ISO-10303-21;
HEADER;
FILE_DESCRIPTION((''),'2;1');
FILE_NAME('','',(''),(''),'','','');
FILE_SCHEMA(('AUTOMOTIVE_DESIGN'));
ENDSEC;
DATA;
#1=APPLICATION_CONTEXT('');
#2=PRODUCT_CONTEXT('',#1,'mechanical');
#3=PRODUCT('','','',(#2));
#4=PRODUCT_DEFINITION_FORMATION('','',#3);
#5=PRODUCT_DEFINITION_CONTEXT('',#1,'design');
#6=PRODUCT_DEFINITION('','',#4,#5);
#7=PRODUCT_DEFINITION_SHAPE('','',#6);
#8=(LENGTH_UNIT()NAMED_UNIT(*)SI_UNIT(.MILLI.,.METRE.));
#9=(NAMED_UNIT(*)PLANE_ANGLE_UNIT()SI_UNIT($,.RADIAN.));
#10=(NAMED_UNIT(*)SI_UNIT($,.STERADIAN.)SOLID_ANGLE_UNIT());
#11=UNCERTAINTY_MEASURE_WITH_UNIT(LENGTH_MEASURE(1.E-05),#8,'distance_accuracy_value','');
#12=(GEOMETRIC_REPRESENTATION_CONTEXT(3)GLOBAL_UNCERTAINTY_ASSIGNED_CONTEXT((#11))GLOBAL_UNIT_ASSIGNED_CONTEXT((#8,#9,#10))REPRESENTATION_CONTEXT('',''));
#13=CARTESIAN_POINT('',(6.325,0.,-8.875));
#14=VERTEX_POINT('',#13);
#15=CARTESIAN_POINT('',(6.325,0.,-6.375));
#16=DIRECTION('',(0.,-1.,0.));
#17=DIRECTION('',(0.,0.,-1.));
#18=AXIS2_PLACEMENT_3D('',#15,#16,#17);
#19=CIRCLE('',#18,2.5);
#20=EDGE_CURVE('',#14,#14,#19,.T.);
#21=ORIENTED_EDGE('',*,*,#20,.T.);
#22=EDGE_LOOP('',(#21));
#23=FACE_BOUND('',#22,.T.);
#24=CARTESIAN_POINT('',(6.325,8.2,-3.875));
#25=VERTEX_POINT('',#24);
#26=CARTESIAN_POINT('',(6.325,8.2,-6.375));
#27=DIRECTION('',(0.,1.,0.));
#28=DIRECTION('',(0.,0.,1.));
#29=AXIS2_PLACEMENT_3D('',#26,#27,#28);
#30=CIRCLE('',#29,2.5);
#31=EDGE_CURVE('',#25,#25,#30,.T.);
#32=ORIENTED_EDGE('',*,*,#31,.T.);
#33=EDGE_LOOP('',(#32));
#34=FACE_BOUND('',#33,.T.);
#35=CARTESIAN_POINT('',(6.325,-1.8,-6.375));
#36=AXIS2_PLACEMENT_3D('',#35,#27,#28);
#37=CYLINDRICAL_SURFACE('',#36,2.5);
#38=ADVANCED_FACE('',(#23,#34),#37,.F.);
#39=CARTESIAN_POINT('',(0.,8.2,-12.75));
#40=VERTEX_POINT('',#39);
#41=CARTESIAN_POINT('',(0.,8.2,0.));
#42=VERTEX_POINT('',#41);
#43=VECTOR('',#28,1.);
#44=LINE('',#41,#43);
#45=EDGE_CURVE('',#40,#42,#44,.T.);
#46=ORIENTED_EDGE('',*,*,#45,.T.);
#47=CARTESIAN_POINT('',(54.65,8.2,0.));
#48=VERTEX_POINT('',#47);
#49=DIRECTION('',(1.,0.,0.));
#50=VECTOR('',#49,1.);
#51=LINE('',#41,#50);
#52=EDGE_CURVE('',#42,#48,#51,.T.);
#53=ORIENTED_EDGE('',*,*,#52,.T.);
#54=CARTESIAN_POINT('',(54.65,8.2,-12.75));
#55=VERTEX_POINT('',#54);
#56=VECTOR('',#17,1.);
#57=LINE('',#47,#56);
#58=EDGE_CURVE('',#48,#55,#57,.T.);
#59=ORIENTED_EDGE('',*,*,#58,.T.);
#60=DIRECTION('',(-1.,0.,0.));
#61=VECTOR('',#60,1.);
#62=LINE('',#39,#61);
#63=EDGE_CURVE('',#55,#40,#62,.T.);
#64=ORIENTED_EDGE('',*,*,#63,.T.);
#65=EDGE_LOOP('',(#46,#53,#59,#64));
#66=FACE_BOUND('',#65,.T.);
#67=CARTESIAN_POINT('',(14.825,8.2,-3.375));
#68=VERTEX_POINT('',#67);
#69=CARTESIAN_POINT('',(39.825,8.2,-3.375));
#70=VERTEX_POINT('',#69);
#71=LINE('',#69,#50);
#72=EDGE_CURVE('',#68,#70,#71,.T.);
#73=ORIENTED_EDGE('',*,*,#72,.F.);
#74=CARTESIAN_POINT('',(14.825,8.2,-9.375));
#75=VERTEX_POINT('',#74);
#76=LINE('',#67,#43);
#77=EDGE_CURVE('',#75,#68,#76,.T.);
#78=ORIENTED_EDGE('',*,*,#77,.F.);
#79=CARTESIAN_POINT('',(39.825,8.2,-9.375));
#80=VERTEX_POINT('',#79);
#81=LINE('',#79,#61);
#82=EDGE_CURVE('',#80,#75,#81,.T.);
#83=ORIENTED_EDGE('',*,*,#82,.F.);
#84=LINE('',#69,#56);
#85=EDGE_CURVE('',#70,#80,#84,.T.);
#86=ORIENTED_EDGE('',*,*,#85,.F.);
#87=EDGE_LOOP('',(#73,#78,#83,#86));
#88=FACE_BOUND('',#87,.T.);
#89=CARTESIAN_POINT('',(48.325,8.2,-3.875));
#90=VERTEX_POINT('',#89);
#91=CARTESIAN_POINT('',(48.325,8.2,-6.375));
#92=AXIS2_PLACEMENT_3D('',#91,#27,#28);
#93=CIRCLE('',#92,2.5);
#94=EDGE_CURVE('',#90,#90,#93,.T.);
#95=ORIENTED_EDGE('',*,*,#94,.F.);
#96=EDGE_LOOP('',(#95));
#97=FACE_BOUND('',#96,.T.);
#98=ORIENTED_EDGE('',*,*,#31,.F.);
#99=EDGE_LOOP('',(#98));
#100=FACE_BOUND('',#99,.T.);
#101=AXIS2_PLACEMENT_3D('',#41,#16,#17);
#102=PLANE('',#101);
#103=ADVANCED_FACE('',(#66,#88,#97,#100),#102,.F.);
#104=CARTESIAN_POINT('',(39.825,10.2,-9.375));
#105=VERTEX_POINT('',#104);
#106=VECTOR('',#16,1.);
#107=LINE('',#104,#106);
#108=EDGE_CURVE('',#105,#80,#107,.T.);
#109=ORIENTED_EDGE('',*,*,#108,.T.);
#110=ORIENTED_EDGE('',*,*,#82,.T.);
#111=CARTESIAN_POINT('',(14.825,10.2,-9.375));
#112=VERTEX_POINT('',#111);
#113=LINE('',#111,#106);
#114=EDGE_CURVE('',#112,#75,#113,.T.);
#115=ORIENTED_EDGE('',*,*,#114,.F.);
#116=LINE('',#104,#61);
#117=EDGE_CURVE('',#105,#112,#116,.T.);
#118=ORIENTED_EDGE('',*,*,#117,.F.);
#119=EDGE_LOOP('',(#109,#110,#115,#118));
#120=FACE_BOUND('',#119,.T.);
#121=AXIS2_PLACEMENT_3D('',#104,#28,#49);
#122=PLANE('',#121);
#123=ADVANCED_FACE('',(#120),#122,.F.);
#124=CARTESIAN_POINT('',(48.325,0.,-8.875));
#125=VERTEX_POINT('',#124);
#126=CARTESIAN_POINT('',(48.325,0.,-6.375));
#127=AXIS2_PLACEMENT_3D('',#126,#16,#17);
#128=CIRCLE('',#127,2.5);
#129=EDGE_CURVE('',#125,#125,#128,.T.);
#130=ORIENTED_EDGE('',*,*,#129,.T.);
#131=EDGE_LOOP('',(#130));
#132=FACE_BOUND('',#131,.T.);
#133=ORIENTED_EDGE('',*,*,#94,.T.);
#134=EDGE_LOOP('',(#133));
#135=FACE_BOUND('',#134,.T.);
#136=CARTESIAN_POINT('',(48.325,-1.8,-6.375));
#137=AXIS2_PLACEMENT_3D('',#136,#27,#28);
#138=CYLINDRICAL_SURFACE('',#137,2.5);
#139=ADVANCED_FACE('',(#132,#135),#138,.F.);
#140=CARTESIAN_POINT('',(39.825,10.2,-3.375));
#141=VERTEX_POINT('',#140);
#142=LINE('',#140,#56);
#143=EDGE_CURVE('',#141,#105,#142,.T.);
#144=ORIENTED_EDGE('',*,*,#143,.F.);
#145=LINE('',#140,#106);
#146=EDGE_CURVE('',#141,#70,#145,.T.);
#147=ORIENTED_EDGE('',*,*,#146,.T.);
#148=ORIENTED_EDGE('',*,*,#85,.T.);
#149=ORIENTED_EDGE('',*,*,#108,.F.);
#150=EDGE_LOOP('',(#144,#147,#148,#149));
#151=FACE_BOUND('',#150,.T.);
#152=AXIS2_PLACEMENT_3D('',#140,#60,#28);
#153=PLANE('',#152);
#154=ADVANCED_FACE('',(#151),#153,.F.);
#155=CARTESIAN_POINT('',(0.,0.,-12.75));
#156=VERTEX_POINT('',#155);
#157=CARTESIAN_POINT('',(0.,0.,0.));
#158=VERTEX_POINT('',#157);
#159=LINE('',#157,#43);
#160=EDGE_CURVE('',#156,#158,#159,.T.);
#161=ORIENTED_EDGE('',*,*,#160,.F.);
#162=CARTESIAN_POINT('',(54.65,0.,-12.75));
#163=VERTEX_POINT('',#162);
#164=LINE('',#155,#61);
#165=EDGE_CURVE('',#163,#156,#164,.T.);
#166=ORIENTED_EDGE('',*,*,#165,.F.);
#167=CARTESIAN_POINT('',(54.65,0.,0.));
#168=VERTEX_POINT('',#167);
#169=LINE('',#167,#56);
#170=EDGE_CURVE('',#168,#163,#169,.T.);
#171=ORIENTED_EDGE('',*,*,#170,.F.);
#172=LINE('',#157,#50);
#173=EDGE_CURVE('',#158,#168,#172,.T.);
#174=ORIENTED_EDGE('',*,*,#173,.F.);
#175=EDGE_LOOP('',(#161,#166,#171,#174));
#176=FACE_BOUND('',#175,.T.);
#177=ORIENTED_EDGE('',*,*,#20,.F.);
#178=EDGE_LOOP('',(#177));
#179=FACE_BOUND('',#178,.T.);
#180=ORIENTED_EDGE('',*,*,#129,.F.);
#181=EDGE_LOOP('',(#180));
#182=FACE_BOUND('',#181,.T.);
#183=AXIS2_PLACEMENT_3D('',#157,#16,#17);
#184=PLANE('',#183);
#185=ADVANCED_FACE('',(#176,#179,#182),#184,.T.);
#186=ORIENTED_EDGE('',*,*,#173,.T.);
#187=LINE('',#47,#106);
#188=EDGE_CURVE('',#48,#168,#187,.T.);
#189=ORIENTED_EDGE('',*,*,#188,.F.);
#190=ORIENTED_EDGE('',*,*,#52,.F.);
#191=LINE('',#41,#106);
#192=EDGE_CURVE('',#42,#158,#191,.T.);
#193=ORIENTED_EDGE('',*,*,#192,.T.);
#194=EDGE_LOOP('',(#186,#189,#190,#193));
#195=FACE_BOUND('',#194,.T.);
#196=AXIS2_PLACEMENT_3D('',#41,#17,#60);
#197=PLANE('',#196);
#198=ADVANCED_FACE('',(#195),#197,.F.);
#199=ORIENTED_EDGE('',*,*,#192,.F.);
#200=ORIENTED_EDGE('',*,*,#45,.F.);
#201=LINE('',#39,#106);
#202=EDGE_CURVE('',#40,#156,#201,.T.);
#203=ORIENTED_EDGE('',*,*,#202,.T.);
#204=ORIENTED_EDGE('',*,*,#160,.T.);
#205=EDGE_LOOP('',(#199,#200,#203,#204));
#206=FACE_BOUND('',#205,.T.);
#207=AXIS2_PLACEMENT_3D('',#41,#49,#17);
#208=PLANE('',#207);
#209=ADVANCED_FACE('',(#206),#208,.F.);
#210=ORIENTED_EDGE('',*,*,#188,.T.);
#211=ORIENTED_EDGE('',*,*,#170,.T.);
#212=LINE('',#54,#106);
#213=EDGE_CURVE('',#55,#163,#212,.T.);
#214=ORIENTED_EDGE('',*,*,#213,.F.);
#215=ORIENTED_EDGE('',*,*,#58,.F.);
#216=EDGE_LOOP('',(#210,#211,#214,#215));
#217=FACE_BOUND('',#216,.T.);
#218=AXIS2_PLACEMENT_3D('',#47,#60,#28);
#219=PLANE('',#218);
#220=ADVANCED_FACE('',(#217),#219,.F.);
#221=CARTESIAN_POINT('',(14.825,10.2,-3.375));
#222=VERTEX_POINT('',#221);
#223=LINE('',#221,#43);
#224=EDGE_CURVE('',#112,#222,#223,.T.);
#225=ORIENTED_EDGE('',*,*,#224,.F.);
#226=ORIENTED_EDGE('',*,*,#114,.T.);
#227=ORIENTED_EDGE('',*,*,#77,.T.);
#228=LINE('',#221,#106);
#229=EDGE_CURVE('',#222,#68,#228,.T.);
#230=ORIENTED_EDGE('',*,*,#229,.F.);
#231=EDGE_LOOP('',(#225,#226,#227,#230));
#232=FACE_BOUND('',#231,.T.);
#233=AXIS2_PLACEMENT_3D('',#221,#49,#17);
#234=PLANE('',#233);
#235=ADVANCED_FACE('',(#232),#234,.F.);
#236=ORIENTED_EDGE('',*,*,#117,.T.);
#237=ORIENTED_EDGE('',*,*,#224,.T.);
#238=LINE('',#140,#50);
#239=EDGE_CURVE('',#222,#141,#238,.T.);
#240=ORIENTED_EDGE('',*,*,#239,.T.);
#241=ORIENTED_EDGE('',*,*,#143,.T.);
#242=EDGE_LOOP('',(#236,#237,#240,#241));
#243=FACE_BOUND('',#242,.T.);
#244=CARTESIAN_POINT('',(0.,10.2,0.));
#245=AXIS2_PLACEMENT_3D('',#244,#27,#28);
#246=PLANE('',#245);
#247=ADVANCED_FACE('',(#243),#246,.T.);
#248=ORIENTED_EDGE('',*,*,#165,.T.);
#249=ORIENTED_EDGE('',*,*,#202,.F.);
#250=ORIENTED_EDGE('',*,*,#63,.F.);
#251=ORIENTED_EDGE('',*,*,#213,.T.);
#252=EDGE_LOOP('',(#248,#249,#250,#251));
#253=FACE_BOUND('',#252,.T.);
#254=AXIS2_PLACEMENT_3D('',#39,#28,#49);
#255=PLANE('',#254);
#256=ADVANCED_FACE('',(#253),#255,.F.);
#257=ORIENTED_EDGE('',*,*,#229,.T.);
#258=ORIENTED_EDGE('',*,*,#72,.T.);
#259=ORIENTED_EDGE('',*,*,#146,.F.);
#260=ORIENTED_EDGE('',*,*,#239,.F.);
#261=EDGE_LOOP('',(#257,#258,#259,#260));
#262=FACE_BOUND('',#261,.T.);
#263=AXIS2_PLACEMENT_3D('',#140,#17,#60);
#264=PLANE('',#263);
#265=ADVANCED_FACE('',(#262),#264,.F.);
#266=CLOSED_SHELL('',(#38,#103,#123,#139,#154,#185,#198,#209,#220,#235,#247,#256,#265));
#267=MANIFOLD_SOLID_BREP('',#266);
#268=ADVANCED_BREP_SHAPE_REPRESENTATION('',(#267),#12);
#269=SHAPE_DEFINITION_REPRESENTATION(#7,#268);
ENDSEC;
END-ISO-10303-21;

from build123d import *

# Parameters (mm, degrees)
SKETCH1_W           = 54.65
SKETCH1_H           = 12.75
BOSS_EXTRUDE1_DEPTH = 8.2
SKETCH2_R           = 2.5
CUT_EXTRUDE2_DEPTH  = 10
SKETCH3_W           = 25
SKETCH3_H           = 6
BOSS_EXTRUDE2_DEPTH = 2


with BuildPart() as part:
    # Sketch1 → Boss-Extrude1 (new body)
    with BuildSketch(Plane(origin=(0, 0, 0), x_dir=(1, 0, 0), z_dir=(0, 1, 0))):
        with Locations((27.325, 6.375)):
            Rectangle(SKETCH1_W, SKETCH1_H)
    extrude(amount=BOSS_EXTRUDE1_DEPTH)

    # Sketch2 → Cut-Extrude2 (cut)
    with BuildSketch(Plane(origin=(0, 8.2, 0), x_dir=(1, 0, 0), z_dir=(0, 1, 0))):
        with Locations(Location((6.325, 6.375, 0), (0, 0, 270))):
            Circle(SKETCH2_R)
        with Locations(Location((48.325, 6.375, 0), (0, 0, 270))):
            Circle(SKETCH2_R)
    extrude(amount=-CUT_EXTRUDE2_DEPTH, mode=Mode.SUBTRACT)

    # Sketch3 → Boss-Extrude2 (add)
    with BuildSketch(Plane(origin=(0, 8.2, 0), x_dir=(1, 0, 0), z_dir=(0, 1, 0))):
        with Locations((27.325, 6.375)):
            Rectangle(SKETCH3_W, SKETCH3_H)
    extrude(amount=BOSS_EXTRUDE2_DEPTH)


solid = part.part
